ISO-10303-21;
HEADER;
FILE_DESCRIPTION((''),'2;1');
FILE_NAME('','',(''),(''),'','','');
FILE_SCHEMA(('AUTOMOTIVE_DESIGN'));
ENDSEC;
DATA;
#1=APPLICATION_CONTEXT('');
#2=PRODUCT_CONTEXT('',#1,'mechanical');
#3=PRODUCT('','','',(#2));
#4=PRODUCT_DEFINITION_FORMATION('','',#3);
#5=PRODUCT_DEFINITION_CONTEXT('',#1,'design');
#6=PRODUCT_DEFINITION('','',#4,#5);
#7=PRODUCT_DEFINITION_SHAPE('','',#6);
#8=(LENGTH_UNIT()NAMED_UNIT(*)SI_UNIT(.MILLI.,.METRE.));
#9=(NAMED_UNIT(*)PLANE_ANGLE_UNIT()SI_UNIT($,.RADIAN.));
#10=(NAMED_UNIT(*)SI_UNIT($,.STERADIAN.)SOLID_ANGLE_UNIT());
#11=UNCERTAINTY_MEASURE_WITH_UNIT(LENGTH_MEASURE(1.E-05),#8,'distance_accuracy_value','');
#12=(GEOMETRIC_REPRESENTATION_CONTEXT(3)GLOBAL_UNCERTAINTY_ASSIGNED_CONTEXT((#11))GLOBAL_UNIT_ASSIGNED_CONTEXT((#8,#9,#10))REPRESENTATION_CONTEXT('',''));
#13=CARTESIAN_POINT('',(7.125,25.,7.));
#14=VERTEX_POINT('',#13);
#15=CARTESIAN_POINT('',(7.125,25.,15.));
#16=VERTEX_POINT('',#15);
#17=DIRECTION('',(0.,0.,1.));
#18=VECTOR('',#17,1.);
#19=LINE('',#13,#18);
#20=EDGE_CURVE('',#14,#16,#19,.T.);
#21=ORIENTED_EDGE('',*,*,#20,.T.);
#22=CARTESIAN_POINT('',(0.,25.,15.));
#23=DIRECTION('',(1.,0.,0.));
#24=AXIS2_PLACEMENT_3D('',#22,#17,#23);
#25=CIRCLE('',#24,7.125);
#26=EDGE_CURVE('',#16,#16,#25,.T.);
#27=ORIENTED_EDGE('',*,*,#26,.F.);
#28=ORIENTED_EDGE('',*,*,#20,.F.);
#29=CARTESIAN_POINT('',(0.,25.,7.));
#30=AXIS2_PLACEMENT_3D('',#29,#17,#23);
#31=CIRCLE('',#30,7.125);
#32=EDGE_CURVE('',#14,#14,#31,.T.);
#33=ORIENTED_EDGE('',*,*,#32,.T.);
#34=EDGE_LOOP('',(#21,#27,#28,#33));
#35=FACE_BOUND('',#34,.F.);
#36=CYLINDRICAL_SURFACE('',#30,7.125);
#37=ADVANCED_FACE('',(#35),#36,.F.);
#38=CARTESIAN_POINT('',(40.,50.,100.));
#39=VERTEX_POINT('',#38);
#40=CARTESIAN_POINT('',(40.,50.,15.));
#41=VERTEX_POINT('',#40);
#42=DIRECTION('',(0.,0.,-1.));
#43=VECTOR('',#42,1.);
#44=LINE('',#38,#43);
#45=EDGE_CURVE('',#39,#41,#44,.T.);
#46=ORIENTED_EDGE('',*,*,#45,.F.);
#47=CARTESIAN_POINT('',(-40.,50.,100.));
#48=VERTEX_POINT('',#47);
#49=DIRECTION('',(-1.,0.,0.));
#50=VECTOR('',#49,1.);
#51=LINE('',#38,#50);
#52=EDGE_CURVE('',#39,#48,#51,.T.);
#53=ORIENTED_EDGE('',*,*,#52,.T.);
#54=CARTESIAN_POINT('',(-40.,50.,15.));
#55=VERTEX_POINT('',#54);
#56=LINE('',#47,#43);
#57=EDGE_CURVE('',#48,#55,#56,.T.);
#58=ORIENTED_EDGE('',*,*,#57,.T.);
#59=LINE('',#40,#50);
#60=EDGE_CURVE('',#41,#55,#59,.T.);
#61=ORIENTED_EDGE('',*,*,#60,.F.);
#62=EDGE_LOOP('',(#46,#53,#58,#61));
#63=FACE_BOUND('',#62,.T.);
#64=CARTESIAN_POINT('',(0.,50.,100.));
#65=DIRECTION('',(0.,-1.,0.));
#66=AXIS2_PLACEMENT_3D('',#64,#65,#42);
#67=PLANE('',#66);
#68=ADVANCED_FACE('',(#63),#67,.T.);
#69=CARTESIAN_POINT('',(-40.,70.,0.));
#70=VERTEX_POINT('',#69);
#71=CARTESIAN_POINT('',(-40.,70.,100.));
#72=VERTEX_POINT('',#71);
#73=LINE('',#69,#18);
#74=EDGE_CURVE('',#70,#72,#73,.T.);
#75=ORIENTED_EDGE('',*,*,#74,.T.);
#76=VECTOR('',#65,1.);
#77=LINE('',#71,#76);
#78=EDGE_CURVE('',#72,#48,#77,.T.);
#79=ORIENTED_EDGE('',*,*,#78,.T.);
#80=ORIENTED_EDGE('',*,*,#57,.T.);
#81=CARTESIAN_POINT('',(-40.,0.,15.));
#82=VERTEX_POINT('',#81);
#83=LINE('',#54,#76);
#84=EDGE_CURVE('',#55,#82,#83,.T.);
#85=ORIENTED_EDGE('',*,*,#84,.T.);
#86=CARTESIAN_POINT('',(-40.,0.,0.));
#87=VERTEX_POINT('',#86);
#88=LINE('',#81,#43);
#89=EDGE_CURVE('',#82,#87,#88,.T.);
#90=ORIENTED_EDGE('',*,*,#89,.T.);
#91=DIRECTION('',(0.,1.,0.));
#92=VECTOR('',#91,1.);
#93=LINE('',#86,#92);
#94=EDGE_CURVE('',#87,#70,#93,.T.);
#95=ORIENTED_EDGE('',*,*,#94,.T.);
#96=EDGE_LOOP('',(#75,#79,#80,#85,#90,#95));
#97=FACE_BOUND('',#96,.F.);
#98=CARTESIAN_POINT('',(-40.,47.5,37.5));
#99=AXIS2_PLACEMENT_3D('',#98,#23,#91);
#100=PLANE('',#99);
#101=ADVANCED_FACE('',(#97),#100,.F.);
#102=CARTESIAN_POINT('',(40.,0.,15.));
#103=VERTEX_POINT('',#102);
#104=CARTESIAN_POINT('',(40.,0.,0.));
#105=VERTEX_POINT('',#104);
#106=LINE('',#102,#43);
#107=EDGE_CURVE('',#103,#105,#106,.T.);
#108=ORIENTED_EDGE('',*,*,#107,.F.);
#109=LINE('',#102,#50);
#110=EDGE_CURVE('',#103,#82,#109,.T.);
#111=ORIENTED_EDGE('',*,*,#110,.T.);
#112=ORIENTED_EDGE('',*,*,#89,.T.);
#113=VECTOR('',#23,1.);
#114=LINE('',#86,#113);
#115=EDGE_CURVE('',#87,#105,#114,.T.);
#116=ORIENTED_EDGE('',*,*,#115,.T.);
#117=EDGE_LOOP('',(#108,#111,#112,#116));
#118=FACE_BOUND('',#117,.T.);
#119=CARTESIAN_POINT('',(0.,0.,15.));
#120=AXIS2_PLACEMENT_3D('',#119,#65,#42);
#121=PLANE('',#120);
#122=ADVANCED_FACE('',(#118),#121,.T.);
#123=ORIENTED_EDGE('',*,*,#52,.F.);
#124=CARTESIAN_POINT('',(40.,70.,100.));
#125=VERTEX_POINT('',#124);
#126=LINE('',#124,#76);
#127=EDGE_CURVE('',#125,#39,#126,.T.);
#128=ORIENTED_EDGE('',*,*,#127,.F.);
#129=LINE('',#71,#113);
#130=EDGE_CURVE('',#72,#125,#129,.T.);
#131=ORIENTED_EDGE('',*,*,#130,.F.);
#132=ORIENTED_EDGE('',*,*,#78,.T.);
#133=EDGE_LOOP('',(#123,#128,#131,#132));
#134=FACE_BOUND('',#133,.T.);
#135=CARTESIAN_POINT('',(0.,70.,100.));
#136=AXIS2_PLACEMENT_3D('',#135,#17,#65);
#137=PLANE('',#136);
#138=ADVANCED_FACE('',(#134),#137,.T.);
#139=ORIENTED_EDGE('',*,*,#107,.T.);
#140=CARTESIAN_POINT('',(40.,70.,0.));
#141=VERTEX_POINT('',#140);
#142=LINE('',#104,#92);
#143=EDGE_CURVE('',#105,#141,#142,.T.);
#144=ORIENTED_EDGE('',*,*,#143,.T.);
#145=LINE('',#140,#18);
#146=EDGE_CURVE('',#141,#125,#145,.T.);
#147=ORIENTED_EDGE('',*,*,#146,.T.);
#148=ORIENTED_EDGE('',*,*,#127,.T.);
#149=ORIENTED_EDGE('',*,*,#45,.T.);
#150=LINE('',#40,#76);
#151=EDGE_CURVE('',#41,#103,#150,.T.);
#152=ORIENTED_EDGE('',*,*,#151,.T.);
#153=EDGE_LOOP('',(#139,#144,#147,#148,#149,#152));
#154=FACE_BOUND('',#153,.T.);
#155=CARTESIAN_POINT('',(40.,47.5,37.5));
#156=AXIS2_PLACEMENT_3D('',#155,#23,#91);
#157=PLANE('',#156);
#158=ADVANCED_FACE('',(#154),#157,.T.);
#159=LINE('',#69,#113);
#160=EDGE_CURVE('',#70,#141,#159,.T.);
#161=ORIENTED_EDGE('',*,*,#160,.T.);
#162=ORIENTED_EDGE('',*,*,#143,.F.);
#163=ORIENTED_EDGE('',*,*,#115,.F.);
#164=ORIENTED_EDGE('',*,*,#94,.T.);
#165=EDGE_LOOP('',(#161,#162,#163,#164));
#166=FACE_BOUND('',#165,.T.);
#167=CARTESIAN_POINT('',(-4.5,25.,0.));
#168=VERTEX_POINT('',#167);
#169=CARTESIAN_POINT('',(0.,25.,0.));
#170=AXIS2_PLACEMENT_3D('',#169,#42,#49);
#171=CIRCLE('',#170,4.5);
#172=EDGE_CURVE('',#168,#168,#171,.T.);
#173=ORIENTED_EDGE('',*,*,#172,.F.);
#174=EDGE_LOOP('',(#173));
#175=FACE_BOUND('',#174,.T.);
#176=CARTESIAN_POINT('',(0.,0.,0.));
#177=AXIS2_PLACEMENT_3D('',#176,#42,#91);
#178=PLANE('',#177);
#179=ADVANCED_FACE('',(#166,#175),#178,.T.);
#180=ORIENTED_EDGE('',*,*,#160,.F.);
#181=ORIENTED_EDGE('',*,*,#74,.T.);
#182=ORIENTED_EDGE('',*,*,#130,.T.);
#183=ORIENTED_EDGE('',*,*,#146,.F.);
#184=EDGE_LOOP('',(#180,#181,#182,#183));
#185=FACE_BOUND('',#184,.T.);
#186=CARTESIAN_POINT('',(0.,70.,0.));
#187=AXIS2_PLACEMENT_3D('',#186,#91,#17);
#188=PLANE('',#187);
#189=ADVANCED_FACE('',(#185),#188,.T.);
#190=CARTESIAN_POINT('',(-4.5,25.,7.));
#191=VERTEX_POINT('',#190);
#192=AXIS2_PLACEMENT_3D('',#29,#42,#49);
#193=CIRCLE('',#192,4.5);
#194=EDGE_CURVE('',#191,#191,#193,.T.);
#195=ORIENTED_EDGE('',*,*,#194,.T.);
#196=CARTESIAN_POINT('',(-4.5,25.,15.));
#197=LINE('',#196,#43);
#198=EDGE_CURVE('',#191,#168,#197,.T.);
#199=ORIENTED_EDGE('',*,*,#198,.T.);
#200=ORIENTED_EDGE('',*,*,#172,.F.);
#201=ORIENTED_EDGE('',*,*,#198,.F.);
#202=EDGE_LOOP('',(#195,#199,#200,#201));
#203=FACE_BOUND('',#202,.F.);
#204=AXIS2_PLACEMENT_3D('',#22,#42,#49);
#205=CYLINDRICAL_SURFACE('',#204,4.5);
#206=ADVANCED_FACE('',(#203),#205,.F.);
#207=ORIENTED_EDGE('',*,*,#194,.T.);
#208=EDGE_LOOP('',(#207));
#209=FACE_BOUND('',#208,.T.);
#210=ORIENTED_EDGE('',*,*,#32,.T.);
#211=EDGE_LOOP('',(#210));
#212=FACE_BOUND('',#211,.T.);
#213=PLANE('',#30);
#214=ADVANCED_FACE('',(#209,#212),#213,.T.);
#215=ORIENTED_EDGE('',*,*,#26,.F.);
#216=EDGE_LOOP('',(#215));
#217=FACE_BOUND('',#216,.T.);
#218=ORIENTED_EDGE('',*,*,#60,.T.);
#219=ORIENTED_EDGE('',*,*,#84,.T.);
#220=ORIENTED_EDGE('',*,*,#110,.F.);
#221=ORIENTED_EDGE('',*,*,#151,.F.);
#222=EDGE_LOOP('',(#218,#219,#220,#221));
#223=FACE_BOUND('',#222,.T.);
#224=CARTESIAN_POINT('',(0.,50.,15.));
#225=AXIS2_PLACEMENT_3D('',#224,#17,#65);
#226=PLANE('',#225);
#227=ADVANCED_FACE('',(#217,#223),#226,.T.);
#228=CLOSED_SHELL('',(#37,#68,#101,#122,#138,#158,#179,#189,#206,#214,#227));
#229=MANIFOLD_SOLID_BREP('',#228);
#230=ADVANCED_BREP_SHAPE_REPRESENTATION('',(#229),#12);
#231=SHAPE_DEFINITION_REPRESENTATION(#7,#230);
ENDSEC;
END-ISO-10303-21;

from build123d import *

# Parameters (mm, degrees)
F1_DEPTH       = 40
F3_D           = 9
F3_CBORE_D     = 14.25
F3_CBORE_DEPTH = 8


with BuildPart() as f1:
    # F0 (on Right) → F1 (new body, symmetric)
    with BuildSketch(Plane.YZ):
        Polygon((0, 15), (0, 0), (70, 0), (70, 100), (50, 100), (50, 15), align=None)
    extrude(amount=F1_DEPTH, both=True)

    # F3 (through all)
    with Locations(Plane.XY.offset(15)):
        with Locations((0, 25)):
            CounterBoreHole(F3_D / 2, F3_CBORE_D / 2, F3_CBORE_DEPTH)


solid = f1.part
